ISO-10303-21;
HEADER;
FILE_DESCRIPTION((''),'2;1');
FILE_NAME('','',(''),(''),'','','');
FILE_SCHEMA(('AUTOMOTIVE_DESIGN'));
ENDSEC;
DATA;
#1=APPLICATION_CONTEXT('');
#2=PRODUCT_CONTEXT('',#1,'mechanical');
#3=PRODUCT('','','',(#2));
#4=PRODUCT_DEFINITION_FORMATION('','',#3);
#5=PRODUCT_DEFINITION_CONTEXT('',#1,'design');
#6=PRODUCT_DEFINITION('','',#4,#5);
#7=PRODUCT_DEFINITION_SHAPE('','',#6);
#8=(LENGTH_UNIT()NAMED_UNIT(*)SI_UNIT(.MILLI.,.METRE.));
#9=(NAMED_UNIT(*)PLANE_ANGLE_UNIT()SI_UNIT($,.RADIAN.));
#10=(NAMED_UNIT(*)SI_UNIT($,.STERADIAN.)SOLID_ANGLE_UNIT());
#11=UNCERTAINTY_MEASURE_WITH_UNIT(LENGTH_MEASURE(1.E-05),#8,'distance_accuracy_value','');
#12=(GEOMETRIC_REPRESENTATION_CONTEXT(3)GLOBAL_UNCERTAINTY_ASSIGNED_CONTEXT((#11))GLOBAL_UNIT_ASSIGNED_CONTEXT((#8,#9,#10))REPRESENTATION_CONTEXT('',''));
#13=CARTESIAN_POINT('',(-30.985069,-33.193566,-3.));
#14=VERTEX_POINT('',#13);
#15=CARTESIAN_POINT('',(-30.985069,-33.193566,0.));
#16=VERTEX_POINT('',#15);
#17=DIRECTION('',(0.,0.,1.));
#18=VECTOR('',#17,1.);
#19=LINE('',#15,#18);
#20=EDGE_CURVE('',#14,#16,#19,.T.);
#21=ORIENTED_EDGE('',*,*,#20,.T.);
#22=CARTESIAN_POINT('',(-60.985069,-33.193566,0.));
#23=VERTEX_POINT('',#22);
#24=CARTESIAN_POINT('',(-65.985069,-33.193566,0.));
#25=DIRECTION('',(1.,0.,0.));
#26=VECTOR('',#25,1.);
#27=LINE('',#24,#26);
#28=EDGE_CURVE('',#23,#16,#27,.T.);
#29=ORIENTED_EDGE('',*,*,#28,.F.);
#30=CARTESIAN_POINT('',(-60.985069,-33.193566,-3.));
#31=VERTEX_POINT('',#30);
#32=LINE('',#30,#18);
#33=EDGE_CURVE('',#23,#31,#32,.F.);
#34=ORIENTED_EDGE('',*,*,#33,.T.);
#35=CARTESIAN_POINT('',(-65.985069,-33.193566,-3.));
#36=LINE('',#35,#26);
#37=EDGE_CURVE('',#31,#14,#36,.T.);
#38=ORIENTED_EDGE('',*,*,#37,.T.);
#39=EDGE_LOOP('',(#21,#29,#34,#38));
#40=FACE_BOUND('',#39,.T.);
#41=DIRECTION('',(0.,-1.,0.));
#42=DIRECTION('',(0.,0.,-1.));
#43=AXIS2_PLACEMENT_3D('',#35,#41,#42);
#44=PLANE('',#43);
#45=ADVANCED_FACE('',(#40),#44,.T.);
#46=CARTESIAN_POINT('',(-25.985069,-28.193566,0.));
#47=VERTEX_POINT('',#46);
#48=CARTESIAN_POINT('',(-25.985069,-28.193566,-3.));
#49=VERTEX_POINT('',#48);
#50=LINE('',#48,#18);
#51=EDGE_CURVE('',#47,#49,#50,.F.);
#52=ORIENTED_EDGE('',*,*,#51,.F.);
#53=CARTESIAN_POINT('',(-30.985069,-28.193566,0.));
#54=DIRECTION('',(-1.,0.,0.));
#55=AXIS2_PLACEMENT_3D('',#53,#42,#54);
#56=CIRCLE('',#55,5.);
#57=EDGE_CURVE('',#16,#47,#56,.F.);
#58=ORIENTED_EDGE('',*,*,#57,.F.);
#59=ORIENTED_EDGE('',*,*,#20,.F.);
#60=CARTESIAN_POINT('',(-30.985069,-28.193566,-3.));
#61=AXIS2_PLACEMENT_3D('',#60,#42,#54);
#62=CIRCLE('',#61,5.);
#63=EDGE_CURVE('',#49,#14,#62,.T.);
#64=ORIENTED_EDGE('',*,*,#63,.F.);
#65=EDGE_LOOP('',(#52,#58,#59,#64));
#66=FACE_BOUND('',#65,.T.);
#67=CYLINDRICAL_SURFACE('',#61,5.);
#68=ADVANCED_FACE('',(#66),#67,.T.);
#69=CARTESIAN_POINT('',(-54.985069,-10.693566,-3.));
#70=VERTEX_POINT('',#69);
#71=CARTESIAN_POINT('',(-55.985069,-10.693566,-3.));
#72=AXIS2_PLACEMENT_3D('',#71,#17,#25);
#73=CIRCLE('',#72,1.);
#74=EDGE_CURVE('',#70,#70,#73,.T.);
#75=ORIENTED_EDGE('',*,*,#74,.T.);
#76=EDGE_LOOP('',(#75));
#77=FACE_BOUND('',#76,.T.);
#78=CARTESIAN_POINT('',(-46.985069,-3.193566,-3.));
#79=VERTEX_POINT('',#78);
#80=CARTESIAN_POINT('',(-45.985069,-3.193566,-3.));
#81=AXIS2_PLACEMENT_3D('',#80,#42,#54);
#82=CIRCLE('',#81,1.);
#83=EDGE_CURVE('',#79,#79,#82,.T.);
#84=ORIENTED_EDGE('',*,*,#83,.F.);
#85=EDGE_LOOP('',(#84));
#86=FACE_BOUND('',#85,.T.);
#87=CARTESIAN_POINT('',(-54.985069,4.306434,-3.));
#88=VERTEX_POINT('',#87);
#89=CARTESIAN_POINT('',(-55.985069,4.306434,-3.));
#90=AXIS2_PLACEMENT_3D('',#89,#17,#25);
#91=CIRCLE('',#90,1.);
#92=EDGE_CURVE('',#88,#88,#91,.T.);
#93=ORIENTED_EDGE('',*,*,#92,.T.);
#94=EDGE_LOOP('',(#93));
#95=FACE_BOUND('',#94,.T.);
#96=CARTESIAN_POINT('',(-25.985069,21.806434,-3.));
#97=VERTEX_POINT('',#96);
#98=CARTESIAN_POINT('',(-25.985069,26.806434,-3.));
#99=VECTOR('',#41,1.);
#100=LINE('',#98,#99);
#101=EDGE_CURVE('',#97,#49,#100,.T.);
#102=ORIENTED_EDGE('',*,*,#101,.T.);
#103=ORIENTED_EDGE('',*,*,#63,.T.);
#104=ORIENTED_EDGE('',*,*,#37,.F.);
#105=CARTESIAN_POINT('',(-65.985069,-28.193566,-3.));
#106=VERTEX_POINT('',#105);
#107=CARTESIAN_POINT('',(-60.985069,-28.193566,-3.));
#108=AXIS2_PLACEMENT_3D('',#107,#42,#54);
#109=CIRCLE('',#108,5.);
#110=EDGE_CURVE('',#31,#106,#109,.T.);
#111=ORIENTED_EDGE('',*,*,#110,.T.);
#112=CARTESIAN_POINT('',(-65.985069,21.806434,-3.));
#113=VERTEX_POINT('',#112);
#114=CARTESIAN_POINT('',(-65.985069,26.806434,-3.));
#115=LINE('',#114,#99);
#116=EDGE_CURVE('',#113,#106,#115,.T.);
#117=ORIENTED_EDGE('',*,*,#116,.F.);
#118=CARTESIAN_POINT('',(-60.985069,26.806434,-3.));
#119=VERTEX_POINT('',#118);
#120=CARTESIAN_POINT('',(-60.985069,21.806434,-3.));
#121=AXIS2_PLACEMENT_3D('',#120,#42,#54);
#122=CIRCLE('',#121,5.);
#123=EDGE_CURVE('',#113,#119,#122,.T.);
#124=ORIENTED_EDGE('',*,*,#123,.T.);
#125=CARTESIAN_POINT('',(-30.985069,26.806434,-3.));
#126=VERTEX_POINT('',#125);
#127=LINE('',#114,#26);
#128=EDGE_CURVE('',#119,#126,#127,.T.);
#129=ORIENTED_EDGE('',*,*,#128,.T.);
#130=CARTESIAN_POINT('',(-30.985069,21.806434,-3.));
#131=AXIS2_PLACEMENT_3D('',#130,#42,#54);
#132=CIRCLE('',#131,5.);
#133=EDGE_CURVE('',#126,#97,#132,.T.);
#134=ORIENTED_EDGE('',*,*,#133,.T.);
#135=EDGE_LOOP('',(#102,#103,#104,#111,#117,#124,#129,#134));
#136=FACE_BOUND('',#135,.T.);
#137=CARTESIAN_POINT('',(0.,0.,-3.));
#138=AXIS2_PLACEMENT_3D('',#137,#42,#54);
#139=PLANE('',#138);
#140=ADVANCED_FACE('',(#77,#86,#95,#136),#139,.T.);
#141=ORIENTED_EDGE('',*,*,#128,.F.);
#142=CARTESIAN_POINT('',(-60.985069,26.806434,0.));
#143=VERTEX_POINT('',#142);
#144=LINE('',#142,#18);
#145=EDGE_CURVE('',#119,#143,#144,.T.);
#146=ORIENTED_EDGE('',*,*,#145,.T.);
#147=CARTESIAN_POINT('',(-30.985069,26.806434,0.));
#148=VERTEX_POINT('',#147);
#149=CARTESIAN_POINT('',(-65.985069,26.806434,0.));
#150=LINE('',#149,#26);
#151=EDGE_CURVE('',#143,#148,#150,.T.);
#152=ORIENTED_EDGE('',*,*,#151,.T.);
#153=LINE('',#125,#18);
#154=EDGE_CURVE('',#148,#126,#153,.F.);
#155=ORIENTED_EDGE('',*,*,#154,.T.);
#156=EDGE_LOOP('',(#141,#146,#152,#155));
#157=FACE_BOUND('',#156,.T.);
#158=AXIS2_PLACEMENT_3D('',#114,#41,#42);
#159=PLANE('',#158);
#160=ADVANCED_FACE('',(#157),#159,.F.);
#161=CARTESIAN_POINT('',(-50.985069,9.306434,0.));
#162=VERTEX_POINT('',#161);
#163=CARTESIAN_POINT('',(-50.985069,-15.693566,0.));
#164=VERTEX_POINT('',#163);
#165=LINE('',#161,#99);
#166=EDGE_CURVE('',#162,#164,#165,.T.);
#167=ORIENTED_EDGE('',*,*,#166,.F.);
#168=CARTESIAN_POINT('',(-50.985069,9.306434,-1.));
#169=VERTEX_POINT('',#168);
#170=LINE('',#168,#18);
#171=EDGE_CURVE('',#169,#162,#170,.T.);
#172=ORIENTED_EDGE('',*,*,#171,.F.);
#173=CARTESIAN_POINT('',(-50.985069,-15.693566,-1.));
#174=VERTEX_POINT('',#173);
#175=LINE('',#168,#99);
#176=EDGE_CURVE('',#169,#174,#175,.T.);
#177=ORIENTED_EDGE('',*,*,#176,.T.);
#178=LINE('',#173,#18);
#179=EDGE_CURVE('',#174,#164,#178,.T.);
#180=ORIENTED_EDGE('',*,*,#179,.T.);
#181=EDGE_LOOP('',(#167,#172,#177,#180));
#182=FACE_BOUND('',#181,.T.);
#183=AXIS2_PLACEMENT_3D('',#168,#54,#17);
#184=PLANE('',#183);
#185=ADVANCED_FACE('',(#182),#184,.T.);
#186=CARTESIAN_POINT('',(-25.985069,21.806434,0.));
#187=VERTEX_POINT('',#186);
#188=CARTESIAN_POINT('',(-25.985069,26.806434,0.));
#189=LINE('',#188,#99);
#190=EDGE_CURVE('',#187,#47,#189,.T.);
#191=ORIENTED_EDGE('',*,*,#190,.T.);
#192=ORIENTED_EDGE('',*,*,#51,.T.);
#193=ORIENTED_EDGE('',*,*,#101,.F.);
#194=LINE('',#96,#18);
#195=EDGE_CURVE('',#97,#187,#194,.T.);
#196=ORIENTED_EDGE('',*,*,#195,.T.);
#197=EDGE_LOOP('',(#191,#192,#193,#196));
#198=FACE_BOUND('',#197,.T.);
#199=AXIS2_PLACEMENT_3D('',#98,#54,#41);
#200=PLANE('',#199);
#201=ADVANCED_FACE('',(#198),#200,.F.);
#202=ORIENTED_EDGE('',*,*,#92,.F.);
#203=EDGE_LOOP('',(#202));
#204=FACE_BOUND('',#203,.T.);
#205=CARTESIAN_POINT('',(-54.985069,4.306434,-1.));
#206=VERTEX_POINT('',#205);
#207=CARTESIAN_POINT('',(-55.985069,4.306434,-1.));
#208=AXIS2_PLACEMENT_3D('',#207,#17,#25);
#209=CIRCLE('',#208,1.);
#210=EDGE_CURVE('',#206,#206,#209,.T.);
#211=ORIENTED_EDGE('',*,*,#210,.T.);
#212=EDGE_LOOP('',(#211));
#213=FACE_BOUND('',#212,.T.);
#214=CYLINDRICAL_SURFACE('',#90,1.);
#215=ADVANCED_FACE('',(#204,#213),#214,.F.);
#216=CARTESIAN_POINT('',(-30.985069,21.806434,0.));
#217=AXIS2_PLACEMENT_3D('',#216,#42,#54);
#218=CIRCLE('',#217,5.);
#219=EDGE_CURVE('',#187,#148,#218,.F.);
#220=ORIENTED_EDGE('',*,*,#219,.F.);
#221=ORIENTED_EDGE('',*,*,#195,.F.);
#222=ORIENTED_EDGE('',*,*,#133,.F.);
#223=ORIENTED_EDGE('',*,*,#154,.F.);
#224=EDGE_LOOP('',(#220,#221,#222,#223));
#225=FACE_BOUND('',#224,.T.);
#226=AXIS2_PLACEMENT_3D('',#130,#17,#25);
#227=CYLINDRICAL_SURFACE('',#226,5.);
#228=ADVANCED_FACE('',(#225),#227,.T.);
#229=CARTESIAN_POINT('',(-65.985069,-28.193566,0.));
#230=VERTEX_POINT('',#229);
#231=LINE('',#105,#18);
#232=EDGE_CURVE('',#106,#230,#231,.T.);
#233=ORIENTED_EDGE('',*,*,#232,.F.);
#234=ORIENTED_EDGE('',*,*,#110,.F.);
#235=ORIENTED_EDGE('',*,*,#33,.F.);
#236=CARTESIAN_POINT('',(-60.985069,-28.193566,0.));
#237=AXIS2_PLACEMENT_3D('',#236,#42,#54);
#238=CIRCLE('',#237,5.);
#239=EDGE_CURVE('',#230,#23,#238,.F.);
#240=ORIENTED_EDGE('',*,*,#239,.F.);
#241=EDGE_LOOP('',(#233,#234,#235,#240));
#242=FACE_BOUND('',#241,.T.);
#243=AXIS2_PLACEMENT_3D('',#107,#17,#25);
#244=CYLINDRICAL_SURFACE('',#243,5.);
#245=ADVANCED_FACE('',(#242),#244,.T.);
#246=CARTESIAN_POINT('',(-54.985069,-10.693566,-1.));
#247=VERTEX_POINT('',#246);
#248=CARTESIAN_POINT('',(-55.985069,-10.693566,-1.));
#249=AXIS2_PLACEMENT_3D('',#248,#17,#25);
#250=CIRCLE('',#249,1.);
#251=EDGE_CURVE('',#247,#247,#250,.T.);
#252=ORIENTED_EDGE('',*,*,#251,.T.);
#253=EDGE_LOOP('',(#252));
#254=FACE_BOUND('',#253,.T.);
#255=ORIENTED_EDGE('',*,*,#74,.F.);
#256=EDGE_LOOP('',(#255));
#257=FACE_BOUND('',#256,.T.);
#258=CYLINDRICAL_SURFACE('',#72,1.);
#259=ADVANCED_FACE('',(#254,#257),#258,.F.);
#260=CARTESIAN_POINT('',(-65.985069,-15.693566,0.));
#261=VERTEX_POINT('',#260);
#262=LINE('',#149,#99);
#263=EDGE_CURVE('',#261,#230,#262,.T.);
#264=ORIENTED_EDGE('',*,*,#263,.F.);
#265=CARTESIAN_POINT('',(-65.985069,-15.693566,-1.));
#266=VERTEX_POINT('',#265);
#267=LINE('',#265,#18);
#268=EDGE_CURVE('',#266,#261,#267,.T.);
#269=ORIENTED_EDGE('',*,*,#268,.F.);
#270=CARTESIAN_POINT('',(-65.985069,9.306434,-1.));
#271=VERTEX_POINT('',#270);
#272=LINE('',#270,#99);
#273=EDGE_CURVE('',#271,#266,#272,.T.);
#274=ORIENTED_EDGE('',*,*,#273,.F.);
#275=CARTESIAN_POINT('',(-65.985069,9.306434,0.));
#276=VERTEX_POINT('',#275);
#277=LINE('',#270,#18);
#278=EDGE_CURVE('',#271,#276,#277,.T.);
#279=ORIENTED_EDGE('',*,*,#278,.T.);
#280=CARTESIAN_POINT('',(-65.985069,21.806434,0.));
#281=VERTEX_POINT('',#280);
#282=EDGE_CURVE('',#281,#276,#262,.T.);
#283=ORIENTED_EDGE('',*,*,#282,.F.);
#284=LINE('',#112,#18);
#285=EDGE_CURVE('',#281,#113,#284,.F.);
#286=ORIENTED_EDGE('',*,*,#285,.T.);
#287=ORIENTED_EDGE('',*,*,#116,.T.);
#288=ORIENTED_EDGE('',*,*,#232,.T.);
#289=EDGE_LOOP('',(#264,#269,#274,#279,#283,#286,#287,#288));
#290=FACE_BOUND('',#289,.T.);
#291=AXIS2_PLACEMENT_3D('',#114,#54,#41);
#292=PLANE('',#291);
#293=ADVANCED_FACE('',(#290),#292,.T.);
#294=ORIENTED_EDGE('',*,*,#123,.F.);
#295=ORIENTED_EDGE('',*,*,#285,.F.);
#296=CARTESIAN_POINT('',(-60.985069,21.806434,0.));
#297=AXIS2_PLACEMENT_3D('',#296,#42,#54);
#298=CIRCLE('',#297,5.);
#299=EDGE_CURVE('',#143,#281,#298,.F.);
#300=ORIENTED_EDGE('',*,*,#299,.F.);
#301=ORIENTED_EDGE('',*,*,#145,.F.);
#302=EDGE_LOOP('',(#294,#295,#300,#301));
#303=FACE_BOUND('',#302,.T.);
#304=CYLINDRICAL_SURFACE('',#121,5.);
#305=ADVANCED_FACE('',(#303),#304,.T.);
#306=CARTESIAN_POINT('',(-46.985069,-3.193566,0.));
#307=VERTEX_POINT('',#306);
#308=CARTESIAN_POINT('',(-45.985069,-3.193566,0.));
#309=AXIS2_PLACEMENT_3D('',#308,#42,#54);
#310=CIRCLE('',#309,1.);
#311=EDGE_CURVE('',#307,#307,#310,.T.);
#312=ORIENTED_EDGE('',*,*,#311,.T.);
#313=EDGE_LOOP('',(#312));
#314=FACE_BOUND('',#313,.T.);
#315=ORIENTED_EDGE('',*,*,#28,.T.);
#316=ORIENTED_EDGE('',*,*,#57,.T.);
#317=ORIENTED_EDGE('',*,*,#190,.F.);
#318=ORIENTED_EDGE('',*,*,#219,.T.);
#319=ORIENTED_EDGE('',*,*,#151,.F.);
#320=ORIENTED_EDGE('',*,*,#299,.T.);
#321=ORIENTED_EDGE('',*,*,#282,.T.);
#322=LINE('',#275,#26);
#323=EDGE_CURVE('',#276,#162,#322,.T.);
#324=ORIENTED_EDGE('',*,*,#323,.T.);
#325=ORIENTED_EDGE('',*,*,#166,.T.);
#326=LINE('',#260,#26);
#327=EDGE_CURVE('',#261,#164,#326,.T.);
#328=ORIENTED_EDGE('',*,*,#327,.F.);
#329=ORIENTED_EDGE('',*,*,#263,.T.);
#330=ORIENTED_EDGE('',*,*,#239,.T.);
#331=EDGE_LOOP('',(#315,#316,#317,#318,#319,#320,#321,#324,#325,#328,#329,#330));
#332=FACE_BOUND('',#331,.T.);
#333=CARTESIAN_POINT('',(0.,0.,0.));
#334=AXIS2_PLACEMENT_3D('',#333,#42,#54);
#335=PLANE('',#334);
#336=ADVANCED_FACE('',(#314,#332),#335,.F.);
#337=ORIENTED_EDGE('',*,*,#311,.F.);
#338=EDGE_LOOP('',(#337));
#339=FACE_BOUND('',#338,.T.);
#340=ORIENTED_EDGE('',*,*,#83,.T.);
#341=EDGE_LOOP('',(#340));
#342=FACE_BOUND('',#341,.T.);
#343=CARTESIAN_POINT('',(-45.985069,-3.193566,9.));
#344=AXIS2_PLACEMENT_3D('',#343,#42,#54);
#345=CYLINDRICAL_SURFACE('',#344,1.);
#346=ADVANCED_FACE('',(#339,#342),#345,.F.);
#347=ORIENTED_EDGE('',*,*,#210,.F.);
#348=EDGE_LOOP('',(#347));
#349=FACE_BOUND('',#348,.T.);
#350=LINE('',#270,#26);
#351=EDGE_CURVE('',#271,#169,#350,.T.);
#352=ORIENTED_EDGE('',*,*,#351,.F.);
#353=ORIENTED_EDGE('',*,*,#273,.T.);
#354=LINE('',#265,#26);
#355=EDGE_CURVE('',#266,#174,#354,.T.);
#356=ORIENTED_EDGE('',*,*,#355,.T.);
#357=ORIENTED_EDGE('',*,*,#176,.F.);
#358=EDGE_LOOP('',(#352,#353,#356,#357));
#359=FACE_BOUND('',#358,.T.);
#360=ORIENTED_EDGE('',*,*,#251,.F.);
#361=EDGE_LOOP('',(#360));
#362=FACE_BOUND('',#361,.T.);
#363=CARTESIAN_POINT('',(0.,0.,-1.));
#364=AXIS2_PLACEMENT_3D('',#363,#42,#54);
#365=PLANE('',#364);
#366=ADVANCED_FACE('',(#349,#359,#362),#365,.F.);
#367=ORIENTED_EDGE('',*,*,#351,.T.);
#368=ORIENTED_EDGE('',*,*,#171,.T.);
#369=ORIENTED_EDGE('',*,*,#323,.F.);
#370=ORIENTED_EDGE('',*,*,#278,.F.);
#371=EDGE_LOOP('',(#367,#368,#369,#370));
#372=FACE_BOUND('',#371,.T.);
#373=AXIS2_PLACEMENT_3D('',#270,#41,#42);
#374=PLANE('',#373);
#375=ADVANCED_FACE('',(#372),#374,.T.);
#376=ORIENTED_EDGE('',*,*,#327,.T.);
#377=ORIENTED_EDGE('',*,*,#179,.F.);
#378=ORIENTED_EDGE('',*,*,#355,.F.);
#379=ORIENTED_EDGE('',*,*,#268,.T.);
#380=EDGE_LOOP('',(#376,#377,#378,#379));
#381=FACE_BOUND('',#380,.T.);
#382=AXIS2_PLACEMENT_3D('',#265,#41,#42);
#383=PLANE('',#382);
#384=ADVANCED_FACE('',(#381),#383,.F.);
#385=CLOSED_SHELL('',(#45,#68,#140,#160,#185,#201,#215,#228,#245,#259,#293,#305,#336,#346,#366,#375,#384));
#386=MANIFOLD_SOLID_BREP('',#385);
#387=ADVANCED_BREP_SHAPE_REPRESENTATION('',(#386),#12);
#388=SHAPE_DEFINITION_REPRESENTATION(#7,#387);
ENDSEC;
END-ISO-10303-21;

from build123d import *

# Parameters (mm, degrees)
SKETCH1_W           = 40
SKETCH1_H           = 60
BOSS_EXTRUDE4_DEPTH = 3
SKETCH5_W           = 15
SKETCH5_H           = 25
CUT_EXTRUDE2_DEPTH  = 1
SKETCH7_R           = 1
CUT_EXTRUDE3_DEPTH  = 2
SKETCH8_R           = 1
CUT_EXTRUDE4_DEPTH  = 2
FILLET1_R           = 5
SKETCH12_R          = 1
CUT_EXTRUDE6_DEPTH  = 12


with BuildPart() as part:
    # Sketch1 → Boss-Extrude4 (new body)
    with BuildSketch(Plane.XY):
        with Locations((-45.9850693, -3.193565597)):
            Rectangle(SKETCH1_W, SKETCH1_H)
    extrude(amount=-BOSS_EXTRUDE4_DEPTH)

    # Sketch5 → Cut-Extrude2 (cut)
    with BuildSketch(Plane.XY):
        with Locations((-58.4850693, -3.193565597)):
            Rectangle(SKETCH5_W, SKETCH5_H)
    extrude(amount=-CUT_EXTRUDE2_DEPTH, mode=Mode.SUBTRACT)

    # Sketch7 → Cut-Extrude3 (cut)
    with BuildSketch(Plane.XY.offset(-1)):
        with Locations((-55.9850693, 4.306434403)):
            Circle(SKETCH7_R)
    extrude(amount=-CUT_EXTRUDE3_DEPTH, mode=Mode.SUBTRACT)

    # Sketch8 → Cut-Extrude4 (cut)
    with BuildSketch(Plane.XY.offset(-1)):
        with Locations((-55.9850693, -10.693565597)):
            Circle(SKETCH8_R)
    extrude(amount=-CUT_EXTRUDE4_DEPTH, mode=Mode.SUBTRACT)

    # Fillet1
    fillet1_edges = [part.edges().sort_by_distance(p)[0] for p in [
        (-65.9850693, 26.806434403, -1.5),
        (-65.9850693, -33.193565597, -1.5),
        (-25.9850693, -33.193565597, -1.5),
        (-25.9850693, 26.806434403, -1.5),
    ]]
    fillet(fillet1_edges, radius=FILLET1_R)

    # Sketch12 → Cut-Extrude6 (cut)
    with BuildSketch(Plane(origin=(0, 0, -3), x_dir=(-1, 0, 0), z_dir=(0, 0, -1))):
        with Locations((45.9850693, -3.193565597)):
            Circle(SKETCH12_R)
    extrude(amount=-CUT_EXTRUDE6_DEPTH, mode=Mode.SUBTRACT)


solid = part.part
